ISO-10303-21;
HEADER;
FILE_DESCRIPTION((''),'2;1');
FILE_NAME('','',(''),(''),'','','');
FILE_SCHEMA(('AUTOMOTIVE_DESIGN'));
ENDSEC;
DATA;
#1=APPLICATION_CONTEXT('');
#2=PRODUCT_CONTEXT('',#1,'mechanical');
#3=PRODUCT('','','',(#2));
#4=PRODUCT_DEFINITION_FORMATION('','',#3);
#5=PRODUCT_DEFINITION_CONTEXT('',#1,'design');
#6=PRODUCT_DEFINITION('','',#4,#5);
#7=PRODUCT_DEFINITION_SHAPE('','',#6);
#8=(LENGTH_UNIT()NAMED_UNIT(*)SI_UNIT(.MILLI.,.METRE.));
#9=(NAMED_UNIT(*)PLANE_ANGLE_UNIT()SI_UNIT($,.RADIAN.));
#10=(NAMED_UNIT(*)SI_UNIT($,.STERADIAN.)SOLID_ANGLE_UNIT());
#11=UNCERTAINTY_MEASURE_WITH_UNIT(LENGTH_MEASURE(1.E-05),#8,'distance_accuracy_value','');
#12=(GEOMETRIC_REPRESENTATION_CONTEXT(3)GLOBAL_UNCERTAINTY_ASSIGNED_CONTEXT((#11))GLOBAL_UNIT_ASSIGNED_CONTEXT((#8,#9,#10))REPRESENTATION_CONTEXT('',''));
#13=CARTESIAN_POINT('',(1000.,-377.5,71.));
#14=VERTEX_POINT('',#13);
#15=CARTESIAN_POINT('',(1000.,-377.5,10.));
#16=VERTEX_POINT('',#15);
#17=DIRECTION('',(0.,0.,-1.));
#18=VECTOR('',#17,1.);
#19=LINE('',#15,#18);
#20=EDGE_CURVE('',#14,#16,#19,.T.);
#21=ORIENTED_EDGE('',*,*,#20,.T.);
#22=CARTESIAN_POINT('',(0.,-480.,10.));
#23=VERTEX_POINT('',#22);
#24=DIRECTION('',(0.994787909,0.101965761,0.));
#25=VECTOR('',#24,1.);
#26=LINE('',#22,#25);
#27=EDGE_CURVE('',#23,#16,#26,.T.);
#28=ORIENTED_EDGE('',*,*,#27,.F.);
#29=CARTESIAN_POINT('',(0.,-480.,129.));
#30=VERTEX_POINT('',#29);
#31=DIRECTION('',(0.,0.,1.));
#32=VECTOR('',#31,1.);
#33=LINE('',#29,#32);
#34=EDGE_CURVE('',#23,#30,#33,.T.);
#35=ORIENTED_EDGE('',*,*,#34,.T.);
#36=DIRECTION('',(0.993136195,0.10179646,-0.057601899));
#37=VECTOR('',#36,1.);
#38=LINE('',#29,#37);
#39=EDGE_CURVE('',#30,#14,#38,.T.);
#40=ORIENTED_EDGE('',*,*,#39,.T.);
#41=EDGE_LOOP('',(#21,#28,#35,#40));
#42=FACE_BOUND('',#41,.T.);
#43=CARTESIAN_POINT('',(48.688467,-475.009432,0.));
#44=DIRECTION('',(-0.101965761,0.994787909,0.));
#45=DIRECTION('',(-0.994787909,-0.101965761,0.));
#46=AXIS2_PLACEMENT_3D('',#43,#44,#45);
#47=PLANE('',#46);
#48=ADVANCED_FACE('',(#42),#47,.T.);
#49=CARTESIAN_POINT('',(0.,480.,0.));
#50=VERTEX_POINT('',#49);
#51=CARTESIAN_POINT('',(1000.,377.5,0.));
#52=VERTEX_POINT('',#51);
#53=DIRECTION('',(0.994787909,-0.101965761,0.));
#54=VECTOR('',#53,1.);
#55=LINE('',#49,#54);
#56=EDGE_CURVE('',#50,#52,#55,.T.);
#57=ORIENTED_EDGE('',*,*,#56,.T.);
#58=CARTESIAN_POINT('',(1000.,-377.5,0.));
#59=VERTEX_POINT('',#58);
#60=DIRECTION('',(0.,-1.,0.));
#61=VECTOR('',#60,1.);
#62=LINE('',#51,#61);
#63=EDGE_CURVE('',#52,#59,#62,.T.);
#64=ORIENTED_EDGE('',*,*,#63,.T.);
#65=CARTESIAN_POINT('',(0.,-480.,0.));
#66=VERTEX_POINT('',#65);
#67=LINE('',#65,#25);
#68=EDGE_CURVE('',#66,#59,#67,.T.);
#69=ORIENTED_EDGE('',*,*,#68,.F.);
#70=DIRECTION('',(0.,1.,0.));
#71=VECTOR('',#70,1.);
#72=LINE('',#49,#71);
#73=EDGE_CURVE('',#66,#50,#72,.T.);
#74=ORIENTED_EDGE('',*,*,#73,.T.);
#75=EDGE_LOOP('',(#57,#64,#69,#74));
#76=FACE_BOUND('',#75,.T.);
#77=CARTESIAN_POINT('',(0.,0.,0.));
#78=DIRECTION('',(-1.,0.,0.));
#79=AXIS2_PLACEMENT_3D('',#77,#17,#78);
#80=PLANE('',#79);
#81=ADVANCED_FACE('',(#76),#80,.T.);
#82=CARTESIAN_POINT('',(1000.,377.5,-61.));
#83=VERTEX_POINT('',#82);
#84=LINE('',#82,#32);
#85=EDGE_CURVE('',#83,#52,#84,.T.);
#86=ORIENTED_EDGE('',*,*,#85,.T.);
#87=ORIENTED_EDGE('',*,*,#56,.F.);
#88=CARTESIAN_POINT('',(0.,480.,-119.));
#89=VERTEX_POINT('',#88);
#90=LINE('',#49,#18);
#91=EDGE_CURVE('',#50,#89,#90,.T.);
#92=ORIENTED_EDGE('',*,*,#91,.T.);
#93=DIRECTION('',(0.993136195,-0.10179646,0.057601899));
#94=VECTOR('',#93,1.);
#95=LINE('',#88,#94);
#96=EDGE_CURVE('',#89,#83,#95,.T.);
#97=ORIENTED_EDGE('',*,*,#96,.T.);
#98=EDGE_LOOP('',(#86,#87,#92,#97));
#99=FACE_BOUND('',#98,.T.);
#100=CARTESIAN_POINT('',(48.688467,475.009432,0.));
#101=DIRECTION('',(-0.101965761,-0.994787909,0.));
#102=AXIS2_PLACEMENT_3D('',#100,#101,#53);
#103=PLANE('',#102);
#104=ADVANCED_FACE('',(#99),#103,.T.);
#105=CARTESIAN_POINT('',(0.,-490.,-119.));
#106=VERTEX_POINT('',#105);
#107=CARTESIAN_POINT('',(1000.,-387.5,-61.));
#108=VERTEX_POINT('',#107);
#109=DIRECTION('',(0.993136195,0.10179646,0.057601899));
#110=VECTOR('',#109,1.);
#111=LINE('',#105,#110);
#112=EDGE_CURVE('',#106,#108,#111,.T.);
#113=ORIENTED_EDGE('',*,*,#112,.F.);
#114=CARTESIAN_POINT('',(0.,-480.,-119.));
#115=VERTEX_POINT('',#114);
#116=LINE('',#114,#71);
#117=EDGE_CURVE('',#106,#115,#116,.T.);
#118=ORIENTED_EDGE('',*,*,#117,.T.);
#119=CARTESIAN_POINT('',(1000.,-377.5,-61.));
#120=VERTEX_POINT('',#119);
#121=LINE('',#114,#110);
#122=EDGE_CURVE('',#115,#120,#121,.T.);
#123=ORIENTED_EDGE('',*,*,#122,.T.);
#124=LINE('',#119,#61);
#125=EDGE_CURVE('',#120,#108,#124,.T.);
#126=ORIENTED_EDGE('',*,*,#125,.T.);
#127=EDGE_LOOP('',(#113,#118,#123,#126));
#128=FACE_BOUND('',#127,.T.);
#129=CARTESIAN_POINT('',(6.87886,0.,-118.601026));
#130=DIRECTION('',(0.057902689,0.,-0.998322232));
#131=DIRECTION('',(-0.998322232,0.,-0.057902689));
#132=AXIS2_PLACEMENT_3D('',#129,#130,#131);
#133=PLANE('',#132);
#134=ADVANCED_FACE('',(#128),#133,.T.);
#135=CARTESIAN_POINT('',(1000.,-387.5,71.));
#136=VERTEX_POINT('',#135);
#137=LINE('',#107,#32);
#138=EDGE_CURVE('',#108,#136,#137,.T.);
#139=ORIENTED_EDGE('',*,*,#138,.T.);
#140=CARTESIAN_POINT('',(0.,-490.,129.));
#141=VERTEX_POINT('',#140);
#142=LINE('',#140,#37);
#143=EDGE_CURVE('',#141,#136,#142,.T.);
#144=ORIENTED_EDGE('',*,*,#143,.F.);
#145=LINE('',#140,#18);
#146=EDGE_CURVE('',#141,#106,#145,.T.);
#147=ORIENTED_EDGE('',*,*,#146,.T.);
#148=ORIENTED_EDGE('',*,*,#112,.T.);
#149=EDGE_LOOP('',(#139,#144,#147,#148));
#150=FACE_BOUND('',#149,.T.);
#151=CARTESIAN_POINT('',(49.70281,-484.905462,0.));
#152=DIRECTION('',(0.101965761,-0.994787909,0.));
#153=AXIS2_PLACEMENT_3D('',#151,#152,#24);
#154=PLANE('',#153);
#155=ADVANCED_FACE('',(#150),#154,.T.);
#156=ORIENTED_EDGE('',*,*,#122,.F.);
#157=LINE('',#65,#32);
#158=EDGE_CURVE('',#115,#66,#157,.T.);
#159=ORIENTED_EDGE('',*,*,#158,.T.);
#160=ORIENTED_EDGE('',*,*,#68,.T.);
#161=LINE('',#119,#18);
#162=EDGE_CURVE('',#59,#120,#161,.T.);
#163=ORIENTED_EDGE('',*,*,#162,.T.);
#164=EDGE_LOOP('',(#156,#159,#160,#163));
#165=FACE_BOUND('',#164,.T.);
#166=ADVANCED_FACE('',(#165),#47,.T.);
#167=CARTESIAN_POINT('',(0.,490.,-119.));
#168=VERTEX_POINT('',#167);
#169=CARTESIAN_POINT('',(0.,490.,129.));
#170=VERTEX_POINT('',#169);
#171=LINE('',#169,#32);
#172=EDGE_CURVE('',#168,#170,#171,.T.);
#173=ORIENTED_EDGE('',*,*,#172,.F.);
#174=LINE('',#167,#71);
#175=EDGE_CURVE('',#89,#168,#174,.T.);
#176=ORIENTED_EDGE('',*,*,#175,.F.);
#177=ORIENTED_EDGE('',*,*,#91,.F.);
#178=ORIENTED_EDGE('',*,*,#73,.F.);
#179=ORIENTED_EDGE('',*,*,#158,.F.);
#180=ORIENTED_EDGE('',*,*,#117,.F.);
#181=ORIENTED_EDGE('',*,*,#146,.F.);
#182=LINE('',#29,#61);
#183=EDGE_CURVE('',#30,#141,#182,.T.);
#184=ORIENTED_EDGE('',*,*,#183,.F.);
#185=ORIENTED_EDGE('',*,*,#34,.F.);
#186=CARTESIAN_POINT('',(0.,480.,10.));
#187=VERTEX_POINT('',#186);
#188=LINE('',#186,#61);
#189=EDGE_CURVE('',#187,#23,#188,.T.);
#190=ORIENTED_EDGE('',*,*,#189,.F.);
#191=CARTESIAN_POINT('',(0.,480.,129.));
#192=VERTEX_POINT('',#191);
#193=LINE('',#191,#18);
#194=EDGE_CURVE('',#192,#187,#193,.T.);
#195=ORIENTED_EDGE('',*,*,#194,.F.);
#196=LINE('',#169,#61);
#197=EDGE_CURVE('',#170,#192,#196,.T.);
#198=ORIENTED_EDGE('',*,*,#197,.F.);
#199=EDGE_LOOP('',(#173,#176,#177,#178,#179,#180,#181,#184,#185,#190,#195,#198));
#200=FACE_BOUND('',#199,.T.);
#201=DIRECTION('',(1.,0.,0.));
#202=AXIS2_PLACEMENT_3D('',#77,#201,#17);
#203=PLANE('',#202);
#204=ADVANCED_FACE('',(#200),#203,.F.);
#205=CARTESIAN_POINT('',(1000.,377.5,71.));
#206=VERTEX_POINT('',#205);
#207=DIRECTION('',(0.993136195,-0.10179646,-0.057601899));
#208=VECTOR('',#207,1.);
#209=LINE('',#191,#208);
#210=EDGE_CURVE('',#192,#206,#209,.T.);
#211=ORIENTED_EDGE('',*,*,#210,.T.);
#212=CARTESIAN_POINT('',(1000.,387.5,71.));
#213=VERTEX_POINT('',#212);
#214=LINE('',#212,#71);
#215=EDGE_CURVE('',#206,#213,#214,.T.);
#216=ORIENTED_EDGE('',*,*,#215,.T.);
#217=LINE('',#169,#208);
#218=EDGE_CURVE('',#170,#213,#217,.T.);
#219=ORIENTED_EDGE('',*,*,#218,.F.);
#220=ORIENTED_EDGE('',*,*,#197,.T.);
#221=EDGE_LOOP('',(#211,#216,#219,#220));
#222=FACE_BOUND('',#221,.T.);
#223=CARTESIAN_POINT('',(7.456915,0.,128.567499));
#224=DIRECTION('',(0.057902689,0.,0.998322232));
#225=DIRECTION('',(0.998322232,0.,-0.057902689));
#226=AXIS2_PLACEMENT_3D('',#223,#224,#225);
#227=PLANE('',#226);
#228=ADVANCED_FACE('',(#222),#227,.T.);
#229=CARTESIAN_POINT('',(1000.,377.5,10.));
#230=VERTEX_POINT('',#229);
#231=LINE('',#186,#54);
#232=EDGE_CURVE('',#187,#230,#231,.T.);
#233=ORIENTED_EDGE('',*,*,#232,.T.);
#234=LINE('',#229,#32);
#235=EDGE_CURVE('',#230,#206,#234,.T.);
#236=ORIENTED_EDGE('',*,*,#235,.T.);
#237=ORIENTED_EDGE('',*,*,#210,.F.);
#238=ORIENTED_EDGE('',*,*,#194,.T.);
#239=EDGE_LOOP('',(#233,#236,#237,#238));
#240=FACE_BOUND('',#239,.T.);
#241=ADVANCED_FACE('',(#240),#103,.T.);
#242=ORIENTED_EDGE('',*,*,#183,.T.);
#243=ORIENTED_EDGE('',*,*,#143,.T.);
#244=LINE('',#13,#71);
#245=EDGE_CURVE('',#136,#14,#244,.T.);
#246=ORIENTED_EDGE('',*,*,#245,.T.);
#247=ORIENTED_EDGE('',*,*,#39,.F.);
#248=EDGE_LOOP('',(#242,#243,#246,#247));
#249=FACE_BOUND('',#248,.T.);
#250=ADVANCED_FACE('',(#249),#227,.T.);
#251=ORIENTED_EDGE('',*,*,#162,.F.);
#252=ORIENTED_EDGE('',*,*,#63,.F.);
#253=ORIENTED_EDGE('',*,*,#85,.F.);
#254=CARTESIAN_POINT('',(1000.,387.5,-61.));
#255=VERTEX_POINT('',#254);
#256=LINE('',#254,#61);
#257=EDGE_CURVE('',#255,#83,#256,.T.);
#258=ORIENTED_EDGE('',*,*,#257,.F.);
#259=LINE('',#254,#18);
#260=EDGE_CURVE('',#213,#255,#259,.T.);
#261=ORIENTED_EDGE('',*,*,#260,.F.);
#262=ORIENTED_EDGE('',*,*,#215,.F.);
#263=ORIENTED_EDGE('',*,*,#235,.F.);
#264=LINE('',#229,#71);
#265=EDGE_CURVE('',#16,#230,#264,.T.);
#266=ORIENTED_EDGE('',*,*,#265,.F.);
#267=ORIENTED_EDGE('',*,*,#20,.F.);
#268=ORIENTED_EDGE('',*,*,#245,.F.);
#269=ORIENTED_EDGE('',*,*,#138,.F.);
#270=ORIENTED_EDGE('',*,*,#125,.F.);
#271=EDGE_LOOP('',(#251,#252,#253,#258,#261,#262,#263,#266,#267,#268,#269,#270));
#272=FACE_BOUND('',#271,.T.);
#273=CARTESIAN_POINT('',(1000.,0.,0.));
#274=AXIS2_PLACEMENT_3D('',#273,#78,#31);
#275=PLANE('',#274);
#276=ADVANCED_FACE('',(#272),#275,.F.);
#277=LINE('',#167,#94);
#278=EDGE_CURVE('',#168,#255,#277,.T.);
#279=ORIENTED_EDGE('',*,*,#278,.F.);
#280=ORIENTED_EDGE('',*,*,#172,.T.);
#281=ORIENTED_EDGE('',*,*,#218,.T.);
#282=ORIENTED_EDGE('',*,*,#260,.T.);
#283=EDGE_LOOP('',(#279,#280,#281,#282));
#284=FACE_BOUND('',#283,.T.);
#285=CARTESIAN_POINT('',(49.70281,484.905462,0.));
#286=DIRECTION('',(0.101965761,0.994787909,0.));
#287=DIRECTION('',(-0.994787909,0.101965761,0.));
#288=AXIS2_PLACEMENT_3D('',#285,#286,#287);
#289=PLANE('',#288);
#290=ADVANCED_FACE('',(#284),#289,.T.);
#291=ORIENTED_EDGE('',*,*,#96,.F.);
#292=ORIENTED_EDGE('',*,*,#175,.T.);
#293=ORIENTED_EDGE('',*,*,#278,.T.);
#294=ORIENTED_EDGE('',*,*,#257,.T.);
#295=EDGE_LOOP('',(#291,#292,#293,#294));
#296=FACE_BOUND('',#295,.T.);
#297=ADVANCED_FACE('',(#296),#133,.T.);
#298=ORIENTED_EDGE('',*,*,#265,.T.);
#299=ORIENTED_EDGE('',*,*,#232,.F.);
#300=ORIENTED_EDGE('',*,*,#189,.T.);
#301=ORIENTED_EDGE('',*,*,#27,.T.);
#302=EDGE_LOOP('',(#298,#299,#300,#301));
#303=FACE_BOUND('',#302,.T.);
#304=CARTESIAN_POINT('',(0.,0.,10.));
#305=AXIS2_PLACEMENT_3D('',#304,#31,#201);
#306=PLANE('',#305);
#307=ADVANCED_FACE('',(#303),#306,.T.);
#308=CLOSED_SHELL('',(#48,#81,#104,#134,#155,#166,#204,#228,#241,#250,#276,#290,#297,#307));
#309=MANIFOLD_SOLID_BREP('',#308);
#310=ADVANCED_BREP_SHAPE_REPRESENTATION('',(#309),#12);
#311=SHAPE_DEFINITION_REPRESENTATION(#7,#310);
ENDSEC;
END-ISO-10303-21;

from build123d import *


with BuildPart() as part:
    # Sketch1 → Loft l3 section 0
    with BuildSketch(Plane(origin=(0, 0, 0), x_dir=(0, 0, -1), z_dir=(1, 0, 0))):
        Polygon((-129, 490), (119, 490), (119, 480), (0, 480), (0, -480), (119, -480), (119, -490), (-129, -490), (-129, -480), (-10, -480), (-10, 480), (-129, 480), align=None)
    # Sketch4 → Loft l3 section 1
    with BuildSketch(Plane(origin=(1000, 0, -1000), x_dir=(0, 0, 1), z_dir=(-1, 0, 0))):
        Polygon((939, 387.5), (1071, 387.5), (1071, 377.5), (1010, 377.5), (1010, -377.5), (1071, -377.5), (1071, -387.5), (939, -387.5), (939, -377.5), (1000, -377.5), (1000, 377.5), (939, 377.5), align=None)
    loft()


solid = part.part
